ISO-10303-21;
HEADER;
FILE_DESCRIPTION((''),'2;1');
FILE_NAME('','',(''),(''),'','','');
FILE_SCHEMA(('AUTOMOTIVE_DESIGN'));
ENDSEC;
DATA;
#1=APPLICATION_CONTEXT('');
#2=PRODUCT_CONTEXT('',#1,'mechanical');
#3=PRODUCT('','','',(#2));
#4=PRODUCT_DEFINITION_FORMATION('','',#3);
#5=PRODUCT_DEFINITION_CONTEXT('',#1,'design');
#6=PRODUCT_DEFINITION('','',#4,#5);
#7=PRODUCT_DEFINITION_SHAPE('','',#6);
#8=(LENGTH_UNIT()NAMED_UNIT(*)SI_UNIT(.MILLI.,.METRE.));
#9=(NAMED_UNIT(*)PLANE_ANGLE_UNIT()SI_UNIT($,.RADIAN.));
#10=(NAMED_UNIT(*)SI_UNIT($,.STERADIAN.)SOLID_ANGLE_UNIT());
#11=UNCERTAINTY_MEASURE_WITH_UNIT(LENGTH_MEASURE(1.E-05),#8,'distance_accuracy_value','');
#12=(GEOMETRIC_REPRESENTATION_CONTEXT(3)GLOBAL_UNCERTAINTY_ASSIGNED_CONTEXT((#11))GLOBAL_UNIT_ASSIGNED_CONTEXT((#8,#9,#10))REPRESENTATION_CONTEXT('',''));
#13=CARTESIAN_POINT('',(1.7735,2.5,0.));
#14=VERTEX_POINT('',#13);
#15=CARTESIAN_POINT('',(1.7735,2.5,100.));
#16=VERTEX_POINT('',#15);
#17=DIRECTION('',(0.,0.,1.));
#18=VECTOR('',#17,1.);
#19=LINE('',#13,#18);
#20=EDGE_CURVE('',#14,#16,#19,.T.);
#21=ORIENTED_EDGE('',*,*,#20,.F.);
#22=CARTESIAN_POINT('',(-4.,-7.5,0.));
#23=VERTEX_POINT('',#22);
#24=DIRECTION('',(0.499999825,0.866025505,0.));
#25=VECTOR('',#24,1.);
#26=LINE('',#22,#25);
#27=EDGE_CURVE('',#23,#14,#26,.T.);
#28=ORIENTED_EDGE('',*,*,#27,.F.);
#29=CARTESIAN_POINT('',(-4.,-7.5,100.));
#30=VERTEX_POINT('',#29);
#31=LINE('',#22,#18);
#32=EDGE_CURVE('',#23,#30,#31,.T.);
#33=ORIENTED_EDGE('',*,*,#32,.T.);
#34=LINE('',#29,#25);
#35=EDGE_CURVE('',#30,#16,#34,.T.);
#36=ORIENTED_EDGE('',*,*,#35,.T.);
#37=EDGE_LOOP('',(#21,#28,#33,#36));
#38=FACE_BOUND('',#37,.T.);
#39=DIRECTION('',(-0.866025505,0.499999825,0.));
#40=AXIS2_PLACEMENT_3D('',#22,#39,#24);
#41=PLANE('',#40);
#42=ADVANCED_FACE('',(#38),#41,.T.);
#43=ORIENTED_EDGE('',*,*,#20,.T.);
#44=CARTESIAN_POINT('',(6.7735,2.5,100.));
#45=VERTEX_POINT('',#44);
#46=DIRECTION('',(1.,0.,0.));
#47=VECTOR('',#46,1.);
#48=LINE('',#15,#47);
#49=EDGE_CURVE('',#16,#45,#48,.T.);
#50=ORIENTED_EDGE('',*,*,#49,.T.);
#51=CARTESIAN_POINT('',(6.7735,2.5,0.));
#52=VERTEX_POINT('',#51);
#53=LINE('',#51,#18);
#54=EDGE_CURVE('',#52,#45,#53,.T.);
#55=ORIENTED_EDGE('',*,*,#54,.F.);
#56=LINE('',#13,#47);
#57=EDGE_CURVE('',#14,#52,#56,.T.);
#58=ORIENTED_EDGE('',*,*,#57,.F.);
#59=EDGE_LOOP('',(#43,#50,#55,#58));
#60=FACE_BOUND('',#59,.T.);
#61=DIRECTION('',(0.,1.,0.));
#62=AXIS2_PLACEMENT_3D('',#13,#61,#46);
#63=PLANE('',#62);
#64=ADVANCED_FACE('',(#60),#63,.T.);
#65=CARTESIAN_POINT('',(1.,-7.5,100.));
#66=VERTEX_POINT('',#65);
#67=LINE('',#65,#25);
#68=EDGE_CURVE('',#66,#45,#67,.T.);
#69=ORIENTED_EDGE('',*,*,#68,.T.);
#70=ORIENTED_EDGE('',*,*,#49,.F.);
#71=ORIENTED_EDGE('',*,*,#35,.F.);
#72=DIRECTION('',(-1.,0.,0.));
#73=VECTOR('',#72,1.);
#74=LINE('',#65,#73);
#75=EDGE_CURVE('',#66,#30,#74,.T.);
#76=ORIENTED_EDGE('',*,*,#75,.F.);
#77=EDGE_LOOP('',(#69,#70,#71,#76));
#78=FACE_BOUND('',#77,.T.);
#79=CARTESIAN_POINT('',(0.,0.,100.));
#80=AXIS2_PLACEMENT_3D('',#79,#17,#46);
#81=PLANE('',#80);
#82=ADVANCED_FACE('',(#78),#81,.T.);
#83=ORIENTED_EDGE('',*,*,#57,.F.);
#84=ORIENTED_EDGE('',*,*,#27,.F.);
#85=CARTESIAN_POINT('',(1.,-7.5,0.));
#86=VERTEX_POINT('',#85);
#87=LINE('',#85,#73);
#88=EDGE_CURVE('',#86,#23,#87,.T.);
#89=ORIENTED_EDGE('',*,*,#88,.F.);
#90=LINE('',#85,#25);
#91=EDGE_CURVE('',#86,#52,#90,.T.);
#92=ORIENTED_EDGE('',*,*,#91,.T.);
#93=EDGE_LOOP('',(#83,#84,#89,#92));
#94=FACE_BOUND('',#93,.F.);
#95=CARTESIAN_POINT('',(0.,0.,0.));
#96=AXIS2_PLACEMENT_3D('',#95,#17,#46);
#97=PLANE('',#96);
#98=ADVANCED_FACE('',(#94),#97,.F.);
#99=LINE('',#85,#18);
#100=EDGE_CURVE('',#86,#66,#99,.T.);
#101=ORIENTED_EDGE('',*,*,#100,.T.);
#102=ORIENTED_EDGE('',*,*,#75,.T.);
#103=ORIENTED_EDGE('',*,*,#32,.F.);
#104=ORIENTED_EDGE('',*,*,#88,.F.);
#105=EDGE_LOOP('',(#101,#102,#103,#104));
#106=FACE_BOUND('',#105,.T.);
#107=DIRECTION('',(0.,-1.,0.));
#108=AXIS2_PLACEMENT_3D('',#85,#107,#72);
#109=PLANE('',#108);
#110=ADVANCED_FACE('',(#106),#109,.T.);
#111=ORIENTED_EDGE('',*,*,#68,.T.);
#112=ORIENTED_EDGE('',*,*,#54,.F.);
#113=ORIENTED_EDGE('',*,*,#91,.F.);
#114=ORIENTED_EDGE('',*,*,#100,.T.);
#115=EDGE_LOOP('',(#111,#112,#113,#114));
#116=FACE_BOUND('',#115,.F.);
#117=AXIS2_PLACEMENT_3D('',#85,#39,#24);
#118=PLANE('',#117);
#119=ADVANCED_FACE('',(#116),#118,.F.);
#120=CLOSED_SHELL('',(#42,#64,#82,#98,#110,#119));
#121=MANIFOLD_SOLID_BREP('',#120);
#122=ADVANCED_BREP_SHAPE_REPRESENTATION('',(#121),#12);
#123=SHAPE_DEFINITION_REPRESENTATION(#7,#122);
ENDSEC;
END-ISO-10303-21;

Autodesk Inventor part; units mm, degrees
ref_plane "YZ Plane" through (0, 0, 0) normal (1, 0, 0) x (0, 1, 0)
ref_plane "XZ Plane" through (0, 0, 0) normal (0, 1, 0) x (-1, 0, 0)
ref_plane "XY Plane" through (0, 0, 0) normal (0, 0, 1) x (1, 0, 0)
sketch "Sketch1" plane through (0, 0, 0) normal (0, 0, 1) x (1, 0, 0)
  line L0 (1, -7.5) -> (-4, -7.5)
  line L1 (-4, -7.5) -> (1.7735, 2.5)
  line L2 (1, -7.5) -> (6.7735, 2.5)
  line L3 (1.7735, 2.5) -> (6.7735, 2.5)
  line L4 (0, 0) -> (1.5241, 0) construction
  line L5 (0, 0) -> (0, 2.8469) construction
  dimension "d1" = 60
  dimension "d2" = 120
  dimension "d4" = 5
  dimension "d6" = 5
  dimension "d7" = 10
  dimension "d8" = 2.5
  dimension "d9" = 4
extrude "Extrusion1" add sketch "Sketch1" along normal blind 100
properties part number "3d_LM-Welding_Tooling - Acetal Stick" material "Acetal Resin, White"
